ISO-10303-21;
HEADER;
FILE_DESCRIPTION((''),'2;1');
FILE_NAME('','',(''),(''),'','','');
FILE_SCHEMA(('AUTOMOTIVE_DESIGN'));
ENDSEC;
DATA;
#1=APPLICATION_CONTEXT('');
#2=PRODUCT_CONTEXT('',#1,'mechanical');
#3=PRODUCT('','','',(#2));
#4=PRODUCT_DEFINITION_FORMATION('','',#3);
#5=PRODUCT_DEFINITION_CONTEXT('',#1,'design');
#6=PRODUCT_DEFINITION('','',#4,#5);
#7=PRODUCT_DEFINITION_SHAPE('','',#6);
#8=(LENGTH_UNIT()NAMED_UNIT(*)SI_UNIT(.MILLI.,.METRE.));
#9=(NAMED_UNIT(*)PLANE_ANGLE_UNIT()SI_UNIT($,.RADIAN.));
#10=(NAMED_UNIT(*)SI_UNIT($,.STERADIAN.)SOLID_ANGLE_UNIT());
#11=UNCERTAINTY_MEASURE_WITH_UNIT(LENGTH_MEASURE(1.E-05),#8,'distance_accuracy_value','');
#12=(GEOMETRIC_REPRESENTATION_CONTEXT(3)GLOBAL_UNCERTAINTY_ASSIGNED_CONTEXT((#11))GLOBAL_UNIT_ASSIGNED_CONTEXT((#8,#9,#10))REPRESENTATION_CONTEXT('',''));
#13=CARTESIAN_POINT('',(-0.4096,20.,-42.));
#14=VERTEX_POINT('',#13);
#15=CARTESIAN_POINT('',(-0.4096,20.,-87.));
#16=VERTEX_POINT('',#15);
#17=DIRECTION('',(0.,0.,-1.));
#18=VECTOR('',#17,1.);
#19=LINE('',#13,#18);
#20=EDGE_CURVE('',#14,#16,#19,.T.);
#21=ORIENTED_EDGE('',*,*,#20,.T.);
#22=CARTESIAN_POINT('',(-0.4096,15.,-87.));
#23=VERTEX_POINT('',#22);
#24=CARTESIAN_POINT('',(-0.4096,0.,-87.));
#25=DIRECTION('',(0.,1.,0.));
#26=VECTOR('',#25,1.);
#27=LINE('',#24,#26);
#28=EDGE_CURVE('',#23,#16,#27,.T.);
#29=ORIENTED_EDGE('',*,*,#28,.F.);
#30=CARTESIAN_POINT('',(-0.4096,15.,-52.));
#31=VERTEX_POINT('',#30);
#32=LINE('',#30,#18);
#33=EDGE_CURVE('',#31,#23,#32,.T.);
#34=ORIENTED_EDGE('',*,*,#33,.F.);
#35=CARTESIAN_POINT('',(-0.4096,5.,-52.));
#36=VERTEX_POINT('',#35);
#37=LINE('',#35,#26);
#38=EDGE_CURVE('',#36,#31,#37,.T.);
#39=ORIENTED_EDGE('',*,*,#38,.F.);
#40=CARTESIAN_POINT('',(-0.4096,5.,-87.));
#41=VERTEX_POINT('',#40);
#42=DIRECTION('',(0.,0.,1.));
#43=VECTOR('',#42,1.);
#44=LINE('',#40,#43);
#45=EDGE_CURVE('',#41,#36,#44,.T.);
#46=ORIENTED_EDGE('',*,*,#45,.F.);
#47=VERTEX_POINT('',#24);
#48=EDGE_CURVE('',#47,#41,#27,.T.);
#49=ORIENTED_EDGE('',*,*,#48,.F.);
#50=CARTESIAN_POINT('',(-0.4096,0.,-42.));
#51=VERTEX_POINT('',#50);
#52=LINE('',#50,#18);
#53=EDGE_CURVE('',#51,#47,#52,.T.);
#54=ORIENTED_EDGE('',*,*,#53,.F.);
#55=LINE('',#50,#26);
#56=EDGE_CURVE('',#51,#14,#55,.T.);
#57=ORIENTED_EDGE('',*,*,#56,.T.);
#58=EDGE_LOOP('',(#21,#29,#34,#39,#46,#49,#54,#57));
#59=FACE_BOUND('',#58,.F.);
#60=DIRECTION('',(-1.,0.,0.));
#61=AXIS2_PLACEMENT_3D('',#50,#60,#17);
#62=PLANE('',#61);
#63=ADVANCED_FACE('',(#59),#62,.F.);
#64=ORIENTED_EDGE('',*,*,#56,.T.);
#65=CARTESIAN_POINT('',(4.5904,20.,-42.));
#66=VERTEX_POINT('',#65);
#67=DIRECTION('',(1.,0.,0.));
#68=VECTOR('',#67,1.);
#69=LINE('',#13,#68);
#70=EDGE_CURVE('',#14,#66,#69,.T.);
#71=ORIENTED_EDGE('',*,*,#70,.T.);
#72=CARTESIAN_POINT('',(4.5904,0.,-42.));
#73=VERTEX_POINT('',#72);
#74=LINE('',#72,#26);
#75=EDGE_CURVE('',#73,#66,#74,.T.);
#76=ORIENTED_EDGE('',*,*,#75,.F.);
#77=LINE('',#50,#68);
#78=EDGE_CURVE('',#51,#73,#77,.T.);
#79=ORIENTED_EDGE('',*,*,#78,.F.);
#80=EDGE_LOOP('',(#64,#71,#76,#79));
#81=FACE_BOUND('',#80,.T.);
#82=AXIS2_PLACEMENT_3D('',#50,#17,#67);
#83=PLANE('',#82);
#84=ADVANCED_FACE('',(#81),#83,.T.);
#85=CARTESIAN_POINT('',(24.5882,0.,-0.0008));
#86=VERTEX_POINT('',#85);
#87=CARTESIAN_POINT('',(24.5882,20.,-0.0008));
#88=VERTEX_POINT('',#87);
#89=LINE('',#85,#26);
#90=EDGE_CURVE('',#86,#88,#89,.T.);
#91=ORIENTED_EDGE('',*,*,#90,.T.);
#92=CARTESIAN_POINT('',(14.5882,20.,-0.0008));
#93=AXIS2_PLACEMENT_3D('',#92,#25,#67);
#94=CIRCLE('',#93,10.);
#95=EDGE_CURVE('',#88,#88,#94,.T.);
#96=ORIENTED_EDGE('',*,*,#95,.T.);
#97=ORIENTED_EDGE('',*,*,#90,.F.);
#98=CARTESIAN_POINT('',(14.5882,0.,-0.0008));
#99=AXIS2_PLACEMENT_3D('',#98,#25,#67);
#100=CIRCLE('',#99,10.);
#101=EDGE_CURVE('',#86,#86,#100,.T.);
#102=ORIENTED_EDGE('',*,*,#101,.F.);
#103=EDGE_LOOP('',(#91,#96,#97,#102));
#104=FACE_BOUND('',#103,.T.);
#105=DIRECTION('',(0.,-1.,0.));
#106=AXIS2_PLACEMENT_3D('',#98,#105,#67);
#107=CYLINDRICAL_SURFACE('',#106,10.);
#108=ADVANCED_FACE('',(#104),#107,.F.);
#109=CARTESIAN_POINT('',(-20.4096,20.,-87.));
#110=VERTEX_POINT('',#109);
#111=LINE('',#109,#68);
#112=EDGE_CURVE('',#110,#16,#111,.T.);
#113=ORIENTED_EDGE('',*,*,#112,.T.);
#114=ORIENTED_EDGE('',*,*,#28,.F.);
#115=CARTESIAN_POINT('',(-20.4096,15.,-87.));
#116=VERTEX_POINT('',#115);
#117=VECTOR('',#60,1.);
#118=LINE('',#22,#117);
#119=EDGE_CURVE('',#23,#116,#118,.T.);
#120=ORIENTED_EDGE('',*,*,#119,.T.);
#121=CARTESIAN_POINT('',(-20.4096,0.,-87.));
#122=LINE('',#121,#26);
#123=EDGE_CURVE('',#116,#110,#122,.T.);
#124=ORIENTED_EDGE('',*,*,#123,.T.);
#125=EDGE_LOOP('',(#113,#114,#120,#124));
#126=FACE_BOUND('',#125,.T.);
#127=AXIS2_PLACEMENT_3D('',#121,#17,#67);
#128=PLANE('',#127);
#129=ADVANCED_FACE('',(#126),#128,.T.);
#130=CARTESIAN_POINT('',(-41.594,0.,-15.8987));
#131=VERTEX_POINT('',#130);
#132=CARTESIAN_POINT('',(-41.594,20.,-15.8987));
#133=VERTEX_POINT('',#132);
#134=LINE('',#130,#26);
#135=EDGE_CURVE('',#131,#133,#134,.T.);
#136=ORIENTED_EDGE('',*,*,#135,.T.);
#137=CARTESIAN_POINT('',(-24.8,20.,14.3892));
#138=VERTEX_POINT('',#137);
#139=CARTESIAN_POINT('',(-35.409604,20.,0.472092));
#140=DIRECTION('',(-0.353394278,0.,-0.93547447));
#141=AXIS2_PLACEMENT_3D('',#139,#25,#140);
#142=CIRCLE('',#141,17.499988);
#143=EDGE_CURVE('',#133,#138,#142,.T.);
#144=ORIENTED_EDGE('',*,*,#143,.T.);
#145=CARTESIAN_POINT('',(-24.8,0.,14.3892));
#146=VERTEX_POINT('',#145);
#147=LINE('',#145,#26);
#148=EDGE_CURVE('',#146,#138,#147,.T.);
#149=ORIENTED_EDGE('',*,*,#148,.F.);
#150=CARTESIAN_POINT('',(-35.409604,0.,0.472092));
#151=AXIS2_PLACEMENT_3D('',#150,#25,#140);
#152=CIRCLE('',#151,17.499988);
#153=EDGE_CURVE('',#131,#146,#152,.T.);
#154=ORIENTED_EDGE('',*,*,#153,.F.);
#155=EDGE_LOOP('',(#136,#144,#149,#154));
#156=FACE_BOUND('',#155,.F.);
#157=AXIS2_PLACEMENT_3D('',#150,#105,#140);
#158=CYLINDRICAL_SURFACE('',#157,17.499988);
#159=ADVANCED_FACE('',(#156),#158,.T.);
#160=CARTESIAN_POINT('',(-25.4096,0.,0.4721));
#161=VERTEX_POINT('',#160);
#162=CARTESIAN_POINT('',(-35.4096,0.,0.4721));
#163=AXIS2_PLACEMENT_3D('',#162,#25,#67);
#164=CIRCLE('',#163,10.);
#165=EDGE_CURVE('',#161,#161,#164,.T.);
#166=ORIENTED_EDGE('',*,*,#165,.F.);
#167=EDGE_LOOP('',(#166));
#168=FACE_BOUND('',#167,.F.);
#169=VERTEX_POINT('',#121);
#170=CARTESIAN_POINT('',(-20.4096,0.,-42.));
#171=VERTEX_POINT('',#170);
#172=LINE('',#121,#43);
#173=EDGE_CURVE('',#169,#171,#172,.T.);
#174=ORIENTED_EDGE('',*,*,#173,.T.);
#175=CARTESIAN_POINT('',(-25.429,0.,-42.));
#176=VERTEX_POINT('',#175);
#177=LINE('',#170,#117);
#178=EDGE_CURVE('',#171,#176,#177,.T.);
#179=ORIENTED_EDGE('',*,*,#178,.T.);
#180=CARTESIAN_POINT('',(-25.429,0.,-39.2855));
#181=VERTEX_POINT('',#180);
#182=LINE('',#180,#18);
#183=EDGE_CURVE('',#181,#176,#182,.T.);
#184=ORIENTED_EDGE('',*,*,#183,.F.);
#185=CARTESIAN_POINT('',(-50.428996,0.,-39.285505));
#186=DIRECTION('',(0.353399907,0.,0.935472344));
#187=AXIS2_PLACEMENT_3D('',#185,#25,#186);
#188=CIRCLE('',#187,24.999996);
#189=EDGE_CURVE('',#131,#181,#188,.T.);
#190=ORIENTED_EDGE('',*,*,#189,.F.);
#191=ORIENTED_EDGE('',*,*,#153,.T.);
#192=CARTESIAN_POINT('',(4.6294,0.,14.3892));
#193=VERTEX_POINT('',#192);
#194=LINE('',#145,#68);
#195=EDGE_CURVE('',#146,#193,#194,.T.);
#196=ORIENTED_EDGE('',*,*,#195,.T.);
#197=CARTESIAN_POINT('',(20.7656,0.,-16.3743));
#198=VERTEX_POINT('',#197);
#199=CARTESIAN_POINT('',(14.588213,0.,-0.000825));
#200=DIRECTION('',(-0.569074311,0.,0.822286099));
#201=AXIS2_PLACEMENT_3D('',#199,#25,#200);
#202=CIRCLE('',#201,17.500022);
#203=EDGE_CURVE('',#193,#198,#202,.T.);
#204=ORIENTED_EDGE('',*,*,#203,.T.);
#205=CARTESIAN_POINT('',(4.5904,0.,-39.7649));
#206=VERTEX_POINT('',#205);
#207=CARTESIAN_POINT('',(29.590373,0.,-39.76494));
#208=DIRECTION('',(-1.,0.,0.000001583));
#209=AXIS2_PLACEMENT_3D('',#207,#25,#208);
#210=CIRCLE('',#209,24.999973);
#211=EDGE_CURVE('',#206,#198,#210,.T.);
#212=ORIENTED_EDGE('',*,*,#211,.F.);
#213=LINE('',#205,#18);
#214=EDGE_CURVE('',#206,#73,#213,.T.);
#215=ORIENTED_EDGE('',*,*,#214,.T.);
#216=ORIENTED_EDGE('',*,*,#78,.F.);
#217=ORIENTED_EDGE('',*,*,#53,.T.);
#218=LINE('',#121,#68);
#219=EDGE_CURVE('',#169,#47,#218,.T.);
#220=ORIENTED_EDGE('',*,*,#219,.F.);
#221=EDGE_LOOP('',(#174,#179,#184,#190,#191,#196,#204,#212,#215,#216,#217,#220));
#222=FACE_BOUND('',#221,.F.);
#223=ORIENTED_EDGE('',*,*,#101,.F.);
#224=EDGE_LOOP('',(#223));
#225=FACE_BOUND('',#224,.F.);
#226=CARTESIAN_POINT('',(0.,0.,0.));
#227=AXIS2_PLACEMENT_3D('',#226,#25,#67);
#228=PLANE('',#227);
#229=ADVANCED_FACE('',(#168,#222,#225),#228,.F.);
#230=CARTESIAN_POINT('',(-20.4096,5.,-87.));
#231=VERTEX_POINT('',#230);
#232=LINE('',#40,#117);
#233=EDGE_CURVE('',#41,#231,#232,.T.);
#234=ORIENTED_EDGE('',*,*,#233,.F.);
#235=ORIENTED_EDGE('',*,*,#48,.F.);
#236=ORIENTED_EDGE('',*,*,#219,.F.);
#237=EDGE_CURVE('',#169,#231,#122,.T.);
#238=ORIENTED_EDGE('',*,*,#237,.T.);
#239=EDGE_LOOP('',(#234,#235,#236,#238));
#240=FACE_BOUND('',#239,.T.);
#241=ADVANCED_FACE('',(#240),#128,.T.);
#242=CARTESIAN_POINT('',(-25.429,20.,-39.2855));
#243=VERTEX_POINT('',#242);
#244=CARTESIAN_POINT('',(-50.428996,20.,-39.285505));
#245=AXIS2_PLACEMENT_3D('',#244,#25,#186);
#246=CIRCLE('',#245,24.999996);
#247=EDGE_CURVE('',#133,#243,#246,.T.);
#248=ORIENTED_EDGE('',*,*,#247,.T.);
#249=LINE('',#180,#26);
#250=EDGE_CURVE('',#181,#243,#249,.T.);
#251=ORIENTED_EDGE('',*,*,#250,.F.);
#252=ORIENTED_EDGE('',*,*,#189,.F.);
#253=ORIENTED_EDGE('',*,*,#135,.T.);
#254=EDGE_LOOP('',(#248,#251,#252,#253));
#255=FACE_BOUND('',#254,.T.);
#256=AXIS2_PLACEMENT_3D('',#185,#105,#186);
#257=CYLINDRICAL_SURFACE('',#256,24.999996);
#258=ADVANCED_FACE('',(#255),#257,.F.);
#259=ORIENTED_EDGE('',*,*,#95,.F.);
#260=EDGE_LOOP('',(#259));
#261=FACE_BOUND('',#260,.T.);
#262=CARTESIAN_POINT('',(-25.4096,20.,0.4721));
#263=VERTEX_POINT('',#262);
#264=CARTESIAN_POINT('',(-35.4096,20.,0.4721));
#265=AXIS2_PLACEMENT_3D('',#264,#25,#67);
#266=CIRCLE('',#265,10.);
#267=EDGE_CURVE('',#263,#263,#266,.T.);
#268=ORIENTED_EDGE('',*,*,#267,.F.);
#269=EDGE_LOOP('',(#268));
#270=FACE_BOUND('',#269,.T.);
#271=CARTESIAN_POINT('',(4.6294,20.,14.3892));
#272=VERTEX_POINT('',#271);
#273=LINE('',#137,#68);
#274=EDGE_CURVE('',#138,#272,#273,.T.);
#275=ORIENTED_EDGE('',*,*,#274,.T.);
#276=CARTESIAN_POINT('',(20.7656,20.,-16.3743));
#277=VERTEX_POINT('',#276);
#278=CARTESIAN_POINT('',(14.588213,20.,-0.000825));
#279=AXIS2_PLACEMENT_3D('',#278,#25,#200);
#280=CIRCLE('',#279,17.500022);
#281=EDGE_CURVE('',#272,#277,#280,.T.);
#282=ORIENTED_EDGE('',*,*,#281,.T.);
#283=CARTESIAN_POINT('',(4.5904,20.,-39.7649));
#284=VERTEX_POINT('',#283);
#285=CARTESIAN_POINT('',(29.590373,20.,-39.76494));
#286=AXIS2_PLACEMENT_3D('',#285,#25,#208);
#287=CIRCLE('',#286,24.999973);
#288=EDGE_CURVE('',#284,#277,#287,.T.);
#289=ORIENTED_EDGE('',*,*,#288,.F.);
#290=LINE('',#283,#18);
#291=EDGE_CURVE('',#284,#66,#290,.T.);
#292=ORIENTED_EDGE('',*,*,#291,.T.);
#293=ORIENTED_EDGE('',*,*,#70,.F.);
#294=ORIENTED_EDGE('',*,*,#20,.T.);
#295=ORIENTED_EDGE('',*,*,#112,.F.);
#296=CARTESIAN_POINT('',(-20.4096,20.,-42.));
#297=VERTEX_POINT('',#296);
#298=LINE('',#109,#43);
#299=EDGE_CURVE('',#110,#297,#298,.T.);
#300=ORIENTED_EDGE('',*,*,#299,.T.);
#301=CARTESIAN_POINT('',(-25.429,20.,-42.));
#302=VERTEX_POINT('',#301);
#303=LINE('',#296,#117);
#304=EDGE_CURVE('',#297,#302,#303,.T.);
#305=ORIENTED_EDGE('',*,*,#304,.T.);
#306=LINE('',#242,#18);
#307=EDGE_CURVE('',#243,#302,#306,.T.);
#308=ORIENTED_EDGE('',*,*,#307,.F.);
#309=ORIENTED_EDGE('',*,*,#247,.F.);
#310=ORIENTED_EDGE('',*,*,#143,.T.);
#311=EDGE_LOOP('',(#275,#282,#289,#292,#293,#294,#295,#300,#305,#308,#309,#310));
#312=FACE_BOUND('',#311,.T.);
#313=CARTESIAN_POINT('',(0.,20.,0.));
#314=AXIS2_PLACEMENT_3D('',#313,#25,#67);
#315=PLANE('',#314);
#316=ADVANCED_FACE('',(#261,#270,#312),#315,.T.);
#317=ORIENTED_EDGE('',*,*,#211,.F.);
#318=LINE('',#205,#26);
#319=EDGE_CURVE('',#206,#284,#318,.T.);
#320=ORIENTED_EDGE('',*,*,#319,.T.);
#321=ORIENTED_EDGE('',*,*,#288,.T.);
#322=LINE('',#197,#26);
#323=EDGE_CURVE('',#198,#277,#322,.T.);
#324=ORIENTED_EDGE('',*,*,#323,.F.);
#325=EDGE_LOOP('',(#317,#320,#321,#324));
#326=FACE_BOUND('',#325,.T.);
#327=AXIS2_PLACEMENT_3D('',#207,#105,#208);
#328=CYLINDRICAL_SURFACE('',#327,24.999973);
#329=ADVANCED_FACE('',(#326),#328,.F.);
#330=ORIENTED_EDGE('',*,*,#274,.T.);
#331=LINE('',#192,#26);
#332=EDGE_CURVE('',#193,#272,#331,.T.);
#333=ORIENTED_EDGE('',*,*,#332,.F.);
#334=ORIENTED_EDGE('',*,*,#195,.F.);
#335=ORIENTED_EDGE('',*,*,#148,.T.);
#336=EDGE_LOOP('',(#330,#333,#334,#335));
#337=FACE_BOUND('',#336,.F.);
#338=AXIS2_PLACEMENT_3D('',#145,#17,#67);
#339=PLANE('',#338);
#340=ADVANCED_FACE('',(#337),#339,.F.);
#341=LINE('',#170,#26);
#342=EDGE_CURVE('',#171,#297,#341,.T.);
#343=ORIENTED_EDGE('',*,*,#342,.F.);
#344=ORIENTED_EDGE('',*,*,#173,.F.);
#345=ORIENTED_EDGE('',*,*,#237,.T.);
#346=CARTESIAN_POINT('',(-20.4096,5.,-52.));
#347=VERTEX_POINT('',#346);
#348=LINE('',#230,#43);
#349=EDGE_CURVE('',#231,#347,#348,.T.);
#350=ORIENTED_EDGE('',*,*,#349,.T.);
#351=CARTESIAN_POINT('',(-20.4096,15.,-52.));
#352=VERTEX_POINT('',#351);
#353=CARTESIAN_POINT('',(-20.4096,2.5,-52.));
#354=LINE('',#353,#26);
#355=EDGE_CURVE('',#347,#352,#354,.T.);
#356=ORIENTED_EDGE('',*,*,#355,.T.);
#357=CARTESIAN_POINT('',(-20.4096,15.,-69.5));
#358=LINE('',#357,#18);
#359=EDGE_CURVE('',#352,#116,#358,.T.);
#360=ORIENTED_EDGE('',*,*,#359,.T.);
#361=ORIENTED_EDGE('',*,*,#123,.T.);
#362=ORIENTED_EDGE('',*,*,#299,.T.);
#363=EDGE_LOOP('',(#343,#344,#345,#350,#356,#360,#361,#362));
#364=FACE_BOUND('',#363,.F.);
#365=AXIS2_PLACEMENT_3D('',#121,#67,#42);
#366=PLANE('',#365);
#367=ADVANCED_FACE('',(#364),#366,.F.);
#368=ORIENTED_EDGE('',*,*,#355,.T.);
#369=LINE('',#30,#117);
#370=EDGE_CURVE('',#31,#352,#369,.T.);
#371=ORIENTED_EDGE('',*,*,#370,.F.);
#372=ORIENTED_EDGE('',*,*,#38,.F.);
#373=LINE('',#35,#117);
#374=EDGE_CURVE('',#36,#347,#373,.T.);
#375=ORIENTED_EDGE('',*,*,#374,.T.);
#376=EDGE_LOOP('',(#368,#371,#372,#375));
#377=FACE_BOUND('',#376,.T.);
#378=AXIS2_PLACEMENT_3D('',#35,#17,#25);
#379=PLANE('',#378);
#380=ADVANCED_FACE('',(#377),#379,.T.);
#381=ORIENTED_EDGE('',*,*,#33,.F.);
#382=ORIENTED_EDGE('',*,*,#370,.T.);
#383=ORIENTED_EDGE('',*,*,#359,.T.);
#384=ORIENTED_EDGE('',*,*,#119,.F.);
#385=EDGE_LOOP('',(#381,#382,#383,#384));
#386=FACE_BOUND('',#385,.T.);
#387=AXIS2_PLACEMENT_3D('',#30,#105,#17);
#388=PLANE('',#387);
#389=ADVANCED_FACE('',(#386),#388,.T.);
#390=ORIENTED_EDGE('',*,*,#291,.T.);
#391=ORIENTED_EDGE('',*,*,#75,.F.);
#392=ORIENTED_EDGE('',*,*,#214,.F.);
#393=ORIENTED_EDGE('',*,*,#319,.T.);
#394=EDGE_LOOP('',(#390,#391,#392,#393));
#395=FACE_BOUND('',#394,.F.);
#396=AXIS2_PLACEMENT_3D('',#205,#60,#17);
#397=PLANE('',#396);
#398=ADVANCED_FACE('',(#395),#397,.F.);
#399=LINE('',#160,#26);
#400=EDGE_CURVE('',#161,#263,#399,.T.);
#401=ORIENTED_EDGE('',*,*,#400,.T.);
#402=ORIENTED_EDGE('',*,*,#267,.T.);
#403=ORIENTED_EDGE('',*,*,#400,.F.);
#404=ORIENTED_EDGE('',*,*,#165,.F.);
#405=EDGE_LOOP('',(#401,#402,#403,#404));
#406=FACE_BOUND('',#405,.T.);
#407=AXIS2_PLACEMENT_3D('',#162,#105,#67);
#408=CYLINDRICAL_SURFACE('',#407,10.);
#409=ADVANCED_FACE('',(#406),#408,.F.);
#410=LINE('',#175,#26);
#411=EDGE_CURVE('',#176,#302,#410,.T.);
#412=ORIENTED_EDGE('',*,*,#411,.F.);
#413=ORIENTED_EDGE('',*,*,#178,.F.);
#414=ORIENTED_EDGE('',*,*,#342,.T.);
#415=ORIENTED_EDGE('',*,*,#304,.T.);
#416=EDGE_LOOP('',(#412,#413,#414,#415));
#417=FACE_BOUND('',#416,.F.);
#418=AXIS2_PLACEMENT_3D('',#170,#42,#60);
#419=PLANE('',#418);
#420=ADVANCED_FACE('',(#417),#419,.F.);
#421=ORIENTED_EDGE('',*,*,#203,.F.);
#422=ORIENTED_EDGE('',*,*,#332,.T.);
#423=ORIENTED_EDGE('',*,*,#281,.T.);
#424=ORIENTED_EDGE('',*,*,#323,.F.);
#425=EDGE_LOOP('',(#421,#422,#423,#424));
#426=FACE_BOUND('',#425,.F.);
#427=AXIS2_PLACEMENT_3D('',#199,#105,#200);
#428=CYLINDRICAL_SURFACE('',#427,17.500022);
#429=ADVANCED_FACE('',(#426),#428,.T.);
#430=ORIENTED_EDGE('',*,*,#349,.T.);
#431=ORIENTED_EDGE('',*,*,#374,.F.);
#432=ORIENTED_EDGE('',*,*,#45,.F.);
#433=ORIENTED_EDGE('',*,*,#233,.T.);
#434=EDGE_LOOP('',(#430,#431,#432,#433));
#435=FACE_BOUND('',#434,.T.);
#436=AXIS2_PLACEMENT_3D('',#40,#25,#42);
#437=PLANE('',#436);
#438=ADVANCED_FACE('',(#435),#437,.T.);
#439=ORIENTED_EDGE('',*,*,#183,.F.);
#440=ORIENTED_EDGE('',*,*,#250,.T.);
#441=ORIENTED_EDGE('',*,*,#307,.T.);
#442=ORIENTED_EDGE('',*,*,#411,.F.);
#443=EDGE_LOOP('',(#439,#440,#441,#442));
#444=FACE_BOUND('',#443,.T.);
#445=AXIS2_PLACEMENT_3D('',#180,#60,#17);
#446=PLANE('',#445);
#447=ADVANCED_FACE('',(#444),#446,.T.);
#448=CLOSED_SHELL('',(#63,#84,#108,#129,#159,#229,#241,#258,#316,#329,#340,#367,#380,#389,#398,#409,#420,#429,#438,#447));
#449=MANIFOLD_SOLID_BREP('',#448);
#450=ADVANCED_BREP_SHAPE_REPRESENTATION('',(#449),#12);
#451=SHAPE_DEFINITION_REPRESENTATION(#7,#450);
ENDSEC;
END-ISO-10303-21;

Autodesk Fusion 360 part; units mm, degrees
sketch "Sketch1" plane through (0, 0, 0) normal (0, 1, 0) x (1, 0, 0)
  circle A0 centre (-35.4096, -0.4721) radius 10
  circle A1 centre (14.5882, 0.0008) radius 10
  line L0 (-0.4096, 42) -> (-0.4096, 87)
  line L1 (-20.4096, 87) -> (-20.4096, 42)
  line L2 (-25.429, 39.2855) -> (-25.429, 42)
  line L3 (4.5904, 39.7649) -> (4.5904, 42)
  line L4 (-20.4096, 42) -> (-25.429, 42)
  line L5 (-25.429, 42) -> (-20.4096, 42)
  line L6 (-0.4096, 42) -> (4.5904, 42)
  arc A2 (4.6294, -14.3892) -> (20.7656, 16.3743) centre (14.5882, 0.0008) ccw
  arc A3 (-41.594, 15.8987) -> (-24.8, -14.3892) centre (-35.4096, -0.4721) ccw
  arc A4 (-41.594, 15.8987) -> (-25.429, 39.2855) centre (-50.429, 39.2855) ccw
  arc A5 (4.5904, 39.7649) -> (20.7656, 16.3743) centre (29.5904, 39.7649) ccw
  line L7 (-24.8, -14.3892) -> (4.6294, -14.3892)
  line L8 (-20.4096, 87) -> (-0.4096, 87)
  dimension "d1" = 50
  dimension "d2" = 20
  dimension "d3" = 20
  dimension "d4" = 35
  dimension "d5" = 35
  dimension "d9" = 20
  dimension "d10" = 45
  dimension "d11" = 15
  dimension "d16" = 25
  dimension "d17" = 25
extrude "Extrude1" add sketch "Sketch1" along normal blind 20
sketch "Sketch2" plane through (-0.4096, 0, 0) normal (1, 0, 0) x (0, 1, 0)
  line L0 (0, -42) -> (0, -87)
  line L1 (0, -87) -> (20, -87)
  line L2 (20, -87) -> (20, -42)
  line L3 (20, -42) -> (0, -42)
  line L4 (5, -52) -> (15, -52)
  line L5 (15, -52) -> (15, -87)
  line L6 (15, -87) -> (5, -87)
  line L7 (5, -87) -> (5, -52)
  dimension "d26" = 10
  dimension "d27" = 35
extrude "Extrude2" cut sketch "Sketch2" against normal blind 47.149 contours L1 L4 L5 L6 L7
